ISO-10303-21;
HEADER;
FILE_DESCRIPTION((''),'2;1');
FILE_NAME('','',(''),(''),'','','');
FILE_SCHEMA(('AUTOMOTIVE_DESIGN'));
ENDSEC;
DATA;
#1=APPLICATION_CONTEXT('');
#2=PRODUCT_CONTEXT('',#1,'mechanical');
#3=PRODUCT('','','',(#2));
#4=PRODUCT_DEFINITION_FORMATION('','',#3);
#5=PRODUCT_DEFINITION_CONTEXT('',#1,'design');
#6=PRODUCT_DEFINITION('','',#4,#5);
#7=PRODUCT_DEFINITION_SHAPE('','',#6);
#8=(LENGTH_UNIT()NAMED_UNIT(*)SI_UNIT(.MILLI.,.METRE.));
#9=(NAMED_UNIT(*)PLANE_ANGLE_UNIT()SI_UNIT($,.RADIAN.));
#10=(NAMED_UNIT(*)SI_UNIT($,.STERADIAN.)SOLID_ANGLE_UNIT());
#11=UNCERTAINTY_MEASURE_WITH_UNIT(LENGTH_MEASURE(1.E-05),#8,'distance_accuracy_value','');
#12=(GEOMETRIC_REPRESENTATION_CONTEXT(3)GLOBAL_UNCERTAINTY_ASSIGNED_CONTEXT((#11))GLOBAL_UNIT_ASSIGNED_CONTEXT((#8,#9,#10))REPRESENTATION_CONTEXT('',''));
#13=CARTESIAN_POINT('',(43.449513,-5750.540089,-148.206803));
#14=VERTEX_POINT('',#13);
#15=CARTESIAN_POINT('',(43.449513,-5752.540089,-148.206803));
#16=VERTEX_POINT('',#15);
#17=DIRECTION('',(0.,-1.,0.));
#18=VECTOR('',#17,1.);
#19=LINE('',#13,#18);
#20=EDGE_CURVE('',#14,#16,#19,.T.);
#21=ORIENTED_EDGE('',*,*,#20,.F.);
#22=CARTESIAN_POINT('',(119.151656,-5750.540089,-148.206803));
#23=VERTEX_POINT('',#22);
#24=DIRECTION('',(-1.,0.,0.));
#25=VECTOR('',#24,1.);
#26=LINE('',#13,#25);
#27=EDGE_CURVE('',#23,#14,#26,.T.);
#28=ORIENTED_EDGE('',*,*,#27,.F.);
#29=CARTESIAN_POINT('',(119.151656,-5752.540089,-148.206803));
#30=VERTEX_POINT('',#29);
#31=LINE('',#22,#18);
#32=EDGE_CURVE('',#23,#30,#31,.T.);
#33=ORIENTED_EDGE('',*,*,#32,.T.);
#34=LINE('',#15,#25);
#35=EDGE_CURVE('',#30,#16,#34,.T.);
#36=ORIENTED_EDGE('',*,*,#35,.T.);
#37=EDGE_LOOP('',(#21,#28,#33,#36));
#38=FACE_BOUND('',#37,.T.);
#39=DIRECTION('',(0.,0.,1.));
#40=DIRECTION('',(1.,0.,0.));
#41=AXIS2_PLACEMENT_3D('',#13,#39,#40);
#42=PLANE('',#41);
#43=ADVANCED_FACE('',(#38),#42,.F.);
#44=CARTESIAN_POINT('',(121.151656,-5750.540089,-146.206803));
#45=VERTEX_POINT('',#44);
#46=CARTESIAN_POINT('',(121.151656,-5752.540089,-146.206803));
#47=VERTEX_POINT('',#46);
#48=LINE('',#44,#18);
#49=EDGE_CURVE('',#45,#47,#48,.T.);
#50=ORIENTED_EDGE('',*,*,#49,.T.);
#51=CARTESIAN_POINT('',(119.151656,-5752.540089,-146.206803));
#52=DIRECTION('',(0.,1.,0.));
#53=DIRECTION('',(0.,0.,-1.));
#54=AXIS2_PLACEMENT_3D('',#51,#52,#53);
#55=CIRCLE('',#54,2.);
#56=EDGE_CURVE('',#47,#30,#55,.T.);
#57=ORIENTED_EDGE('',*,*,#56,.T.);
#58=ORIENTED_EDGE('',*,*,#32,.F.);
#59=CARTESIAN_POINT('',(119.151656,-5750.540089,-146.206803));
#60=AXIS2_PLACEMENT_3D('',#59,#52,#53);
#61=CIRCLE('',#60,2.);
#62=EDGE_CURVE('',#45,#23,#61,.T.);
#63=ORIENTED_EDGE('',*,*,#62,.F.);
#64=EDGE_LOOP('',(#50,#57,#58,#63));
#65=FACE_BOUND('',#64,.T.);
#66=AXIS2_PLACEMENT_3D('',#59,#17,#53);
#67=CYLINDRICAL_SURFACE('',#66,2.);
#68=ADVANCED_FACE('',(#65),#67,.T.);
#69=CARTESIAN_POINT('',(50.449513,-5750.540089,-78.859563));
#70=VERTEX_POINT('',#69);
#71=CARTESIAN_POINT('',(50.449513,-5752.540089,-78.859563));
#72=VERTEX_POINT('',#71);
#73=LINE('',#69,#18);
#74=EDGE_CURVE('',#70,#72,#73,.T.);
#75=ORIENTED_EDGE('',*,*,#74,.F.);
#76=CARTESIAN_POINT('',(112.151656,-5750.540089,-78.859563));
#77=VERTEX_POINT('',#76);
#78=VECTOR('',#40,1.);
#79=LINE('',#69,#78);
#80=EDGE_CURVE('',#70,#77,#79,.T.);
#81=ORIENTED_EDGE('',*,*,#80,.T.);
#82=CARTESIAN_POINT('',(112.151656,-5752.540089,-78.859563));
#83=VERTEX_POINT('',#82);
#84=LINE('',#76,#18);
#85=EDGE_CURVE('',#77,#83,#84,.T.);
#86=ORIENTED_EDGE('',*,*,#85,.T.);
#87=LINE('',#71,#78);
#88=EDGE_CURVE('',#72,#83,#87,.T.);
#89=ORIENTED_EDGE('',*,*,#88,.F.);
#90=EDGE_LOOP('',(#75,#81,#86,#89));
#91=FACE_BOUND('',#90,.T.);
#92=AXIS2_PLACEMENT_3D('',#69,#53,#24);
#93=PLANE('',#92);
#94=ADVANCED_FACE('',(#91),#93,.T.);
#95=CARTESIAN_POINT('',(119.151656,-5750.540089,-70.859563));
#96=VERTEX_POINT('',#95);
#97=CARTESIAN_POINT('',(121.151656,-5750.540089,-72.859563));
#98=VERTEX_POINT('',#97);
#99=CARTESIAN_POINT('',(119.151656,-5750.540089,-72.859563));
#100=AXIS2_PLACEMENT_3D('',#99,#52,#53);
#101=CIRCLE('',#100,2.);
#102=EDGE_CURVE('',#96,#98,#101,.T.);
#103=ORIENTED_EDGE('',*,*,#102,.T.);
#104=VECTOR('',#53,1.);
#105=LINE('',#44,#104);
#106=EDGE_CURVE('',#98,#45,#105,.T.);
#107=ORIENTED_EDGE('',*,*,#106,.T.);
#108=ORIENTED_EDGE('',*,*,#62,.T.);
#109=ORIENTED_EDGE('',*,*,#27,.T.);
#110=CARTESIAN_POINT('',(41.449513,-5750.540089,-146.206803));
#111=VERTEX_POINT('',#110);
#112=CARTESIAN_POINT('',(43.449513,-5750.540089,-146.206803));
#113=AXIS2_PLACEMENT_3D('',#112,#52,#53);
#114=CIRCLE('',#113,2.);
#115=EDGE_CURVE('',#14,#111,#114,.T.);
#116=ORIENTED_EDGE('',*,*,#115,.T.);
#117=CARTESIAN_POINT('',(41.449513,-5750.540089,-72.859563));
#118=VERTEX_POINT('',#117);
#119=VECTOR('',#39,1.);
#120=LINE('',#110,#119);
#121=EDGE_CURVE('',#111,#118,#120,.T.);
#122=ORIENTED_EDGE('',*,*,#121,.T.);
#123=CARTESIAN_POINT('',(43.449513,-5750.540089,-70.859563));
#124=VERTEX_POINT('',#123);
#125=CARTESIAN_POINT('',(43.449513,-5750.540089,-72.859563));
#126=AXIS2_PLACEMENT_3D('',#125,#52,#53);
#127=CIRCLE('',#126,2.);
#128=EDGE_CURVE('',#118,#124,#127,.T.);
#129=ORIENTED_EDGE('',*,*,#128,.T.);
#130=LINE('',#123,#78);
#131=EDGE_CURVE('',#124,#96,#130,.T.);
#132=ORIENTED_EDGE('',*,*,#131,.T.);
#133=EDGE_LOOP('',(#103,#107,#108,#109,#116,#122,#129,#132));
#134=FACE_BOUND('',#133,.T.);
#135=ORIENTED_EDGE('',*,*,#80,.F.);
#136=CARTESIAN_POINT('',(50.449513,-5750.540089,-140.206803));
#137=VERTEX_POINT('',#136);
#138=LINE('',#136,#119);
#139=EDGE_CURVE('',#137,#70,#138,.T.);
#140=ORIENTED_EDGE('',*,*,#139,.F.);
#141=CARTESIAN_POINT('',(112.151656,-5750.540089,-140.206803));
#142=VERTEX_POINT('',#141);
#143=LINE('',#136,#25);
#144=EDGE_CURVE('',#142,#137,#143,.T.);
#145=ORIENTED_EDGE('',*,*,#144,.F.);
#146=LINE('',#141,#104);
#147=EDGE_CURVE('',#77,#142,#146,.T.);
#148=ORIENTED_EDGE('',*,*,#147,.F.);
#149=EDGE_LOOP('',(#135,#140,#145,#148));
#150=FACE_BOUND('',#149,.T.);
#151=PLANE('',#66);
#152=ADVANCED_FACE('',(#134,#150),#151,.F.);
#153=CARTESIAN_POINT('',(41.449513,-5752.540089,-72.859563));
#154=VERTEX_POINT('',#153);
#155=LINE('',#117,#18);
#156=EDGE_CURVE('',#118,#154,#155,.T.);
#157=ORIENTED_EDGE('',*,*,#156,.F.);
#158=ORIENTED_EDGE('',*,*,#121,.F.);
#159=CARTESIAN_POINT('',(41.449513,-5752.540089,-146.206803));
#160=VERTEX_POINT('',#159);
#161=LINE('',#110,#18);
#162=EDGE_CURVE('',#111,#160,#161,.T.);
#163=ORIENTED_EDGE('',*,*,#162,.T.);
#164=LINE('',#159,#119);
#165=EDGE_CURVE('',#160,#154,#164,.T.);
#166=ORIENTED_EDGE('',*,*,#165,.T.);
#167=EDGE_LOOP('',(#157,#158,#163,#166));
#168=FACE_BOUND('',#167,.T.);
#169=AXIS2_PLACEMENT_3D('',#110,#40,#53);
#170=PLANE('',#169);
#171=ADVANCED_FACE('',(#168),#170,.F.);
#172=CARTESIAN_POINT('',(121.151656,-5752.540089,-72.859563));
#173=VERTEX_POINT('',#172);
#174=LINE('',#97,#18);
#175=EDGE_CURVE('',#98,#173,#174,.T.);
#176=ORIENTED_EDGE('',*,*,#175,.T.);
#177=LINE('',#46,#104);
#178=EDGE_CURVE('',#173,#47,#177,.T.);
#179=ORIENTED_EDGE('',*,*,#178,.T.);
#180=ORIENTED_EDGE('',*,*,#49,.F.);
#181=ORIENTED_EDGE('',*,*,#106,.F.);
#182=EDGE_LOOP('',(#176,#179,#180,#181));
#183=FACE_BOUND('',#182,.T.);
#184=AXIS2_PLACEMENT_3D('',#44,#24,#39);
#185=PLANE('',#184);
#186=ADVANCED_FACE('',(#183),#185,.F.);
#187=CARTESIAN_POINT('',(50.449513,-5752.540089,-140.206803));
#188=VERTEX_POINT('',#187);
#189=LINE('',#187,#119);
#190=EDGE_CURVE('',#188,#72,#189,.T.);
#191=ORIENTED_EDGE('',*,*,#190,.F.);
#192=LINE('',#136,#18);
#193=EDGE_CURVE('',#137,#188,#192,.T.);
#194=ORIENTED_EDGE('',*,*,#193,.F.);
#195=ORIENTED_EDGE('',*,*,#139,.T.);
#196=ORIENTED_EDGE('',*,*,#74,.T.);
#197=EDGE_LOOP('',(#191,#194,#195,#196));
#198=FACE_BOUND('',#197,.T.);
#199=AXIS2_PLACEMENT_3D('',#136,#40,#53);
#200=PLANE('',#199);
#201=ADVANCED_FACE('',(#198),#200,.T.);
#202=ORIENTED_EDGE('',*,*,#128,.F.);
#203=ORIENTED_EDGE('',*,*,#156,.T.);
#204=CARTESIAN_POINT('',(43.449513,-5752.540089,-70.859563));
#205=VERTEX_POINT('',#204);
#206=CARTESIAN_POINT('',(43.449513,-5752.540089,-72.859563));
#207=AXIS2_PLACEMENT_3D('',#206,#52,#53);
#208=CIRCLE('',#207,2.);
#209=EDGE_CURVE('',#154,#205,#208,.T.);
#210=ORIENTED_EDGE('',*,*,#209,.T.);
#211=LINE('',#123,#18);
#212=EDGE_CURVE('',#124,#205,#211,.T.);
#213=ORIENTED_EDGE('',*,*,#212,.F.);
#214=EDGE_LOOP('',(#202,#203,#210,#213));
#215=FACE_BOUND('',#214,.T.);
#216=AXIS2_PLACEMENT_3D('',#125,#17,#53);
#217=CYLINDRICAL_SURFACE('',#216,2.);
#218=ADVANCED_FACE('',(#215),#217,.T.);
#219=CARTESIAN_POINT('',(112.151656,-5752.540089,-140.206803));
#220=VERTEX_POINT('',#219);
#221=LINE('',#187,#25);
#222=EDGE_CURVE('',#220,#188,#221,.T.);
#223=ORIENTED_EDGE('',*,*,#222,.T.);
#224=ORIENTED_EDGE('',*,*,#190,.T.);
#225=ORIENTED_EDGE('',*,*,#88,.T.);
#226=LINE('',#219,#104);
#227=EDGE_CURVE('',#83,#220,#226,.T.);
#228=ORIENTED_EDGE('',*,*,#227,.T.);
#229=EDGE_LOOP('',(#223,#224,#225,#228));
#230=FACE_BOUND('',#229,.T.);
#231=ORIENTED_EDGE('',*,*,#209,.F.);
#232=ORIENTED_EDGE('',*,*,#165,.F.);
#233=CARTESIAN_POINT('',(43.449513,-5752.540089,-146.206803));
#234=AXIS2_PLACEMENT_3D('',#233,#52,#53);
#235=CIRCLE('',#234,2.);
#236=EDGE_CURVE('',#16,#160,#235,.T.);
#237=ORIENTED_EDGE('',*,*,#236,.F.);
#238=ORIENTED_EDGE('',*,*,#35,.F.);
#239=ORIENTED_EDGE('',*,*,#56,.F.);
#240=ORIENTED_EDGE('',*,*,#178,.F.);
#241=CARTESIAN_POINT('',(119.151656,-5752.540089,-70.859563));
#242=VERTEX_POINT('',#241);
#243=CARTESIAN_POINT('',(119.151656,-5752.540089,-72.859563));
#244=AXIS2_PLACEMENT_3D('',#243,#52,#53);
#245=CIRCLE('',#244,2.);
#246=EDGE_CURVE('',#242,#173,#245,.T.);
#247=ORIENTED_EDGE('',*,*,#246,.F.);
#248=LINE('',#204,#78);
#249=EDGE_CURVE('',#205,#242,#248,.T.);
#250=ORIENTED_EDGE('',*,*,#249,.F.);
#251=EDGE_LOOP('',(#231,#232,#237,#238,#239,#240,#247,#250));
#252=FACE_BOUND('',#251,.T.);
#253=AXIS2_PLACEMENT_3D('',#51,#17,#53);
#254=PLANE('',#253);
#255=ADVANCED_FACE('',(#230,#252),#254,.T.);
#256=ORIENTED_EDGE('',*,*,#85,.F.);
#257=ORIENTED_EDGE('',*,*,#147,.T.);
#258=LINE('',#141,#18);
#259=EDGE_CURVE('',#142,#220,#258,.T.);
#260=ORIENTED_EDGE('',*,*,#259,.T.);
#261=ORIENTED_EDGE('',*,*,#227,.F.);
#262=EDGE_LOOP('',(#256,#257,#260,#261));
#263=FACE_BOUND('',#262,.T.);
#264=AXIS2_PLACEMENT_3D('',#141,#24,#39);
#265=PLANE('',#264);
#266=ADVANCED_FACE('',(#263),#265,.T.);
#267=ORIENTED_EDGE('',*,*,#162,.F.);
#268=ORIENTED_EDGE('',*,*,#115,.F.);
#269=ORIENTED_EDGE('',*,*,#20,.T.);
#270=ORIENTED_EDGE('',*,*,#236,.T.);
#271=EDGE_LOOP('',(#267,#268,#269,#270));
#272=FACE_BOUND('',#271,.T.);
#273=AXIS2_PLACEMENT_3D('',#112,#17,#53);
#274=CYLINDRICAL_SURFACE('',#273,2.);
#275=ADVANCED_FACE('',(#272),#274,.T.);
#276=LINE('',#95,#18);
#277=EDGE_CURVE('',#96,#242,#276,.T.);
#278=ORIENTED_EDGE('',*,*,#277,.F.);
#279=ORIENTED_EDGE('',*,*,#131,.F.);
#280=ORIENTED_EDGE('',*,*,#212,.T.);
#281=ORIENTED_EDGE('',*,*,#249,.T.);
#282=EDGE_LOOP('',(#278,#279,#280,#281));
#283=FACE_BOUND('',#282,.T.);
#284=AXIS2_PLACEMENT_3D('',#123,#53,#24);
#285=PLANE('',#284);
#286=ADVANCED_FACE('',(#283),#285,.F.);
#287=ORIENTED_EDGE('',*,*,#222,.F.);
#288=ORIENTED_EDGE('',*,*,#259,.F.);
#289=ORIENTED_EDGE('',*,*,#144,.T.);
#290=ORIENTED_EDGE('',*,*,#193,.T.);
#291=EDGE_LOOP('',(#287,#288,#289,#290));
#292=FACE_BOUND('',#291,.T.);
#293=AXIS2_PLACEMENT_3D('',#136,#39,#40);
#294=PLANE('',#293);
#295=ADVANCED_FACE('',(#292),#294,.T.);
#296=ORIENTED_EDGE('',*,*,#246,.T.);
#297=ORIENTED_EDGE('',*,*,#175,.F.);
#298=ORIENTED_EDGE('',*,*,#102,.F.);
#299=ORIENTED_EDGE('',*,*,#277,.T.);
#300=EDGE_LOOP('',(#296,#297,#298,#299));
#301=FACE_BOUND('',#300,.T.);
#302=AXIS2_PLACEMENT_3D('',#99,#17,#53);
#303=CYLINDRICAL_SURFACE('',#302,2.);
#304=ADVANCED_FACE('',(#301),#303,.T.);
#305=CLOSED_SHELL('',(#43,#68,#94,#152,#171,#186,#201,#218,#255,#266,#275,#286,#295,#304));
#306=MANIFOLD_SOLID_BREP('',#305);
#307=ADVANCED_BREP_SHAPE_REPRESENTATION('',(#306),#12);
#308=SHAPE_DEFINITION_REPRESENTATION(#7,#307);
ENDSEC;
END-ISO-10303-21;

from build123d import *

# Parameters (mm, degrees)
SKETCH_3_W      = 61.702142611
SKETCH_3_H      = 61.347239899
EXTRUDE_1_DEPTH = 2


with BuildPart() as part:
    # 草图3 → 凸台-拉伸1 (new body)
    with BuildSketch(Plane(origin=(161.680584905, -5752.54008863, -301.131668073), x_dir=(1, 0, 0), z_dir=(0, 1, 0))):
        with BuildLine():
            Line((-118.231072015, -152.924864972), (-42.528929404, -152.924864972))
            ThreePointArc((-42.528929404, -152.924864972), (-41.114715842, -153.510651409), (-40.528929404, -154.924864972))
            Line((-40.528929404, -154.924864972), (-40.528929404, -228.272104871))
            ThreePointArc((-40.528929404, -228.272104871), (-41.114715842, -229.686318433), (-42.528929404, -230.272104871))
            Line((-42.528929404, -230.272104871), (-118.231072015, -230.272104871))
            ThreePointArc((-118.231072015, -230.272104871), (-119.645285578, -229.686318433), (-120.231072015, -228.272104871))
            Line((-120.231072015, -228.272104871), (-120.231072015, -154.924864972))
            ThreePointArc((-120.231072015, -154.924864972), (-119.645285578, -153.510651409), (-118.231072015, -152.924864972))
        make_face()
        with Locations((-80.38000071, -191.598484922)):
            Rectangle(SKETCH_3_W, SKETCH_3_H, mode=Mode.SUBTRACT)
    extrude(amount=EXTRUDE_1_DEPTH)


solid = part.part
